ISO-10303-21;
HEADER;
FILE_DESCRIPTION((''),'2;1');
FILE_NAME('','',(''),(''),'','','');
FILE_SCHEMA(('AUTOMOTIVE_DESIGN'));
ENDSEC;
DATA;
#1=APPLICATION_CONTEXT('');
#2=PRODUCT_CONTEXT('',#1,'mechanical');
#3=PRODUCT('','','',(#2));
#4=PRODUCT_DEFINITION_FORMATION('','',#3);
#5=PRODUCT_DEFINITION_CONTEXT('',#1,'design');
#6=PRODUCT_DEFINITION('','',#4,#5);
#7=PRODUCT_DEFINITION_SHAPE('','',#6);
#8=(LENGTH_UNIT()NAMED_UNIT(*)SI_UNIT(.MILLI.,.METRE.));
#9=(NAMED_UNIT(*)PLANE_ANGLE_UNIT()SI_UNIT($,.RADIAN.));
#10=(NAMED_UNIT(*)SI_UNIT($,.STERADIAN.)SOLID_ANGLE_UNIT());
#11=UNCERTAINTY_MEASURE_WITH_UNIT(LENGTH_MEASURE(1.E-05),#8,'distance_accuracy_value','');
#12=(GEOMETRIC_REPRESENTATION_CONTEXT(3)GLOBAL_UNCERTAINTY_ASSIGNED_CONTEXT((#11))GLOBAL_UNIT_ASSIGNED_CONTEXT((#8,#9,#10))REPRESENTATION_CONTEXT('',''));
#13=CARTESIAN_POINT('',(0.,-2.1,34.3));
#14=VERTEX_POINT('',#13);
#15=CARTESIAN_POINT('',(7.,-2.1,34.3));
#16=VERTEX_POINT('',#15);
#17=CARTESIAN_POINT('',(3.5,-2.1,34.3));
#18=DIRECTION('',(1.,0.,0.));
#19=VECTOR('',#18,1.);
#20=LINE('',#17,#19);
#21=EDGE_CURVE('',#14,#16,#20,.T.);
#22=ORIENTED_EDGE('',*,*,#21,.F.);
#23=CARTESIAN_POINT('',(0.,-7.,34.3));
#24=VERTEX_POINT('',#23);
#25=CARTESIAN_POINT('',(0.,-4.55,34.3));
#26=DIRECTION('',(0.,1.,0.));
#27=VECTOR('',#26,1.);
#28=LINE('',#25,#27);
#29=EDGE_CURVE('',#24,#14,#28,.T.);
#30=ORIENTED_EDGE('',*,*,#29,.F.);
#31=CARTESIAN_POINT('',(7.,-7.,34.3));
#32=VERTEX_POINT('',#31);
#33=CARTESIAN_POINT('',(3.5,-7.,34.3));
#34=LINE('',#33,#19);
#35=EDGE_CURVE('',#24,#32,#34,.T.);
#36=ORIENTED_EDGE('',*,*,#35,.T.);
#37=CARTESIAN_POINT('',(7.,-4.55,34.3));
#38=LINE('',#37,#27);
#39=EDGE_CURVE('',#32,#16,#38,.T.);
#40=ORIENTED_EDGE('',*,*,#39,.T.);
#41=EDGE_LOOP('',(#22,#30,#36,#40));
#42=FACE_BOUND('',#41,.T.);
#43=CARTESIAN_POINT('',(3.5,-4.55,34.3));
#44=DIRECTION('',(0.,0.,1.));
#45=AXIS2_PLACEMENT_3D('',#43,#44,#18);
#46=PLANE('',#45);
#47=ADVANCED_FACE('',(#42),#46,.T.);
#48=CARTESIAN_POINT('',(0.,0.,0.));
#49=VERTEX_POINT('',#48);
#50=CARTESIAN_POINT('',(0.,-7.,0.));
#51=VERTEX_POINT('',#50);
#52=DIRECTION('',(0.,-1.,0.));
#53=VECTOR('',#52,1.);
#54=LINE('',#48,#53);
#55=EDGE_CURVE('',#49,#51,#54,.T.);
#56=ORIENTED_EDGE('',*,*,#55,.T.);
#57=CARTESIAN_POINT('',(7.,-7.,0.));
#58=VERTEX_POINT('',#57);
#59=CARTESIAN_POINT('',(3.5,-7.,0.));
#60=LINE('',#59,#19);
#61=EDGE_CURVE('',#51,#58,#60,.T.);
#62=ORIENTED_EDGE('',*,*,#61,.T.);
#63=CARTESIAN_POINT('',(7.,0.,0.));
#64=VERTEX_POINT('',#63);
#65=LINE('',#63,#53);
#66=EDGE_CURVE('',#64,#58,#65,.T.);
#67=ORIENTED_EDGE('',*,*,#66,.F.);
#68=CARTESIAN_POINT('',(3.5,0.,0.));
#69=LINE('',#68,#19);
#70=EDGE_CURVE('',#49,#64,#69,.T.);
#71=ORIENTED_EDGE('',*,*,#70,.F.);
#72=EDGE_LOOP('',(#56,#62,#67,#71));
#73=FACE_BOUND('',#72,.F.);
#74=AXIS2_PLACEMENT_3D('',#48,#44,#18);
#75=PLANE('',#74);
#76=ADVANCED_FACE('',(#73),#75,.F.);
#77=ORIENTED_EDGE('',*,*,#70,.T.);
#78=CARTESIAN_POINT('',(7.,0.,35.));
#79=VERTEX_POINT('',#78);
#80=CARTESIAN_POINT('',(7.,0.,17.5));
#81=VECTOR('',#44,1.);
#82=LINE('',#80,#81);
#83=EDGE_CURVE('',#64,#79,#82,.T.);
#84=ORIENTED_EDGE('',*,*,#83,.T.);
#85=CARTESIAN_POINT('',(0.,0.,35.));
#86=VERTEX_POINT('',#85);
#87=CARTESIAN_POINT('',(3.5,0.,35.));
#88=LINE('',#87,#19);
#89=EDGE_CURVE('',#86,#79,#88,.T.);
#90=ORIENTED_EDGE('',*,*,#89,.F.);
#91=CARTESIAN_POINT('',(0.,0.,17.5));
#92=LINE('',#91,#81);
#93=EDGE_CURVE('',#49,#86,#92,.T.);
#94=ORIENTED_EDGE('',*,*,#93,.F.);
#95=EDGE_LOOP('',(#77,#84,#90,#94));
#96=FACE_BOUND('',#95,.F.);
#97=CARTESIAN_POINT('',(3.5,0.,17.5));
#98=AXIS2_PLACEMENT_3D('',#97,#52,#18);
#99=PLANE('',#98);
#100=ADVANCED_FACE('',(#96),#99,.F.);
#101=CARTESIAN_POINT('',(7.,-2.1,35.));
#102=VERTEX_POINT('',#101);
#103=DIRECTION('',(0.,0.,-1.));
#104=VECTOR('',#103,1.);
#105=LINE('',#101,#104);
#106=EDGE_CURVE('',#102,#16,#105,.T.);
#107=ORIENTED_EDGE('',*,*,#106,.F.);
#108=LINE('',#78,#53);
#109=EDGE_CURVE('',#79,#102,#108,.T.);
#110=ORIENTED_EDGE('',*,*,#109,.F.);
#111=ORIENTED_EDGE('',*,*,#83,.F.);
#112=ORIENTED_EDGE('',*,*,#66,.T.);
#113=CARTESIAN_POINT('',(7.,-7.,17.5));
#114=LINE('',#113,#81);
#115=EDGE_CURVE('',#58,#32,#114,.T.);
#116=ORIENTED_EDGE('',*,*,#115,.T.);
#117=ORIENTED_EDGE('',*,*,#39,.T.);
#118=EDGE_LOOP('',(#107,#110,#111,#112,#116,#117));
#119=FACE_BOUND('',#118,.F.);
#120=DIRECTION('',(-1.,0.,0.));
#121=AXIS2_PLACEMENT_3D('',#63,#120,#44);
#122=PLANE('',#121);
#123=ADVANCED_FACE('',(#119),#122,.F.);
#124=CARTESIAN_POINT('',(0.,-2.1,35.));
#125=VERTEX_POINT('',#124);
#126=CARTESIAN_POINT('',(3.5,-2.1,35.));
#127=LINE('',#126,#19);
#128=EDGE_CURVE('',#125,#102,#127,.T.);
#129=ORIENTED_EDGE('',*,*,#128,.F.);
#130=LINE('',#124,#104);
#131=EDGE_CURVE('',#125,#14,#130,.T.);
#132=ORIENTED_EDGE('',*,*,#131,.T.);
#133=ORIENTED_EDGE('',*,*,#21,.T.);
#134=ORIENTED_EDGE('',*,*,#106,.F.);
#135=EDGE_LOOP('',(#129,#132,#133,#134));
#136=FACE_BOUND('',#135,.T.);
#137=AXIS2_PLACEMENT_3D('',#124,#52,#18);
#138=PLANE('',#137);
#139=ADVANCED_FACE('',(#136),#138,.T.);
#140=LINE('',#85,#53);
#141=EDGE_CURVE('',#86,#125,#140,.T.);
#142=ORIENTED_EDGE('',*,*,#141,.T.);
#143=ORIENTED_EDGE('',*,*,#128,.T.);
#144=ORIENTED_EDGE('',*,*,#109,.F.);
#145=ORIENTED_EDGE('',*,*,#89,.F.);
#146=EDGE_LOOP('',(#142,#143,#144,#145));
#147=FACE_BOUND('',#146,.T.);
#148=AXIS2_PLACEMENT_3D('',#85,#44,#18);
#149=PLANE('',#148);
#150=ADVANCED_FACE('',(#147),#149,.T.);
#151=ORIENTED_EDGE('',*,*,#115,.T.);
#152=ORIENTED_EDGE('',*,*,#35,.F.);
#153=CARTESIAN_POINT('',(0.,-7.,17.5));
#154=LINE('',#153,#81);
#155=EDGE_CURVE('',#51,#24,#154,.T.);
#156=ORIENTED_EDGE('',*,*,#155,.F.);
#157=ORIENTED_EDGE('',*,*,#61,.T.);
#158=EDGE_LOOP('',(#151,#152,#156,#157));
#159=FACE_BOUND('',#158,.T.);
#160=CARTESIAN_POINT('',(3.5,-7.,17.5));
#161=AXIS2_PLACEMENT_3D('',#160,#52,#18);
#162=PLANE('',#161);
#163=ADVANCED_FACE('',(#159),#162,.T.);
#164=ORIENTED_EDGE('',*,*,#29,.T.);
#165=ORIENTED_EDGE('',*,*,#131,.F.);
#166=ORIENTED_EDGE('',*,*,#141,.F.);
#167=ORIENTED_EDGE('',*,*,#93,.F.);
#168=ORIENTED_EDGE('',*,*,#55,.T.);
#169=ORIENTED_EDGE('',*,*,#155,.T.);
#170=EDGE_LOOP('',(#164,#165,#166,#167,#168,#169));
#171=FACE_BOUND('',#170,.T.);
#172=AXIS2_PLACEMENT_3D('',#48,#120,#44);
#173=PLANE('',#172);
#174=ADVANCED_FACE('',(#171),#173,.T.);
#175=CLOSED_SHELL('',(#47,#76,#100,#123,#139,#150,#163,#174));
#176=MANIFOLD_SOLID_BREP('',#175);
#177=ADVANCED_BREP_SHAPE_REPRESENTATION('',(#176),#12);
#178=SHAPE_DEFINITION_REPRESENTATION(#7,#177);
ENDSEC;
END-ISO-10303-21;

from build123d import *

# Parameters (mm, degrees)
F0_W     = 100
F0_H     = 500
F1_DEPTH = 100
F2_W     = 100
F2_H     = 70
F3_DEPTH = 10
F4_SCALE = 0.07


with BuildPart() as f1:
    # F0 (on Front) → F1 (new body)
    with BuildSketch(Plane.XZ):
        with Locations((50, 250)):
            Rectangle(F0_W, F0_H)
    extrude(amount=F1_DEPTH)

    # F2 (on face) → F3 (cut)
    with BuildSketch(Plane.XY.offset(500)):
        with Locations((50, -65)):
            Rectangle(F2_W, F2_H)
    extrude(amount=-F3_DEPTH, mode=Mode.SUBTRACT)


with BuildPart() as f1_1:
    # F4: moved
    add(f1.part.scale(F4_SCALE))


solid = f1_1.part
